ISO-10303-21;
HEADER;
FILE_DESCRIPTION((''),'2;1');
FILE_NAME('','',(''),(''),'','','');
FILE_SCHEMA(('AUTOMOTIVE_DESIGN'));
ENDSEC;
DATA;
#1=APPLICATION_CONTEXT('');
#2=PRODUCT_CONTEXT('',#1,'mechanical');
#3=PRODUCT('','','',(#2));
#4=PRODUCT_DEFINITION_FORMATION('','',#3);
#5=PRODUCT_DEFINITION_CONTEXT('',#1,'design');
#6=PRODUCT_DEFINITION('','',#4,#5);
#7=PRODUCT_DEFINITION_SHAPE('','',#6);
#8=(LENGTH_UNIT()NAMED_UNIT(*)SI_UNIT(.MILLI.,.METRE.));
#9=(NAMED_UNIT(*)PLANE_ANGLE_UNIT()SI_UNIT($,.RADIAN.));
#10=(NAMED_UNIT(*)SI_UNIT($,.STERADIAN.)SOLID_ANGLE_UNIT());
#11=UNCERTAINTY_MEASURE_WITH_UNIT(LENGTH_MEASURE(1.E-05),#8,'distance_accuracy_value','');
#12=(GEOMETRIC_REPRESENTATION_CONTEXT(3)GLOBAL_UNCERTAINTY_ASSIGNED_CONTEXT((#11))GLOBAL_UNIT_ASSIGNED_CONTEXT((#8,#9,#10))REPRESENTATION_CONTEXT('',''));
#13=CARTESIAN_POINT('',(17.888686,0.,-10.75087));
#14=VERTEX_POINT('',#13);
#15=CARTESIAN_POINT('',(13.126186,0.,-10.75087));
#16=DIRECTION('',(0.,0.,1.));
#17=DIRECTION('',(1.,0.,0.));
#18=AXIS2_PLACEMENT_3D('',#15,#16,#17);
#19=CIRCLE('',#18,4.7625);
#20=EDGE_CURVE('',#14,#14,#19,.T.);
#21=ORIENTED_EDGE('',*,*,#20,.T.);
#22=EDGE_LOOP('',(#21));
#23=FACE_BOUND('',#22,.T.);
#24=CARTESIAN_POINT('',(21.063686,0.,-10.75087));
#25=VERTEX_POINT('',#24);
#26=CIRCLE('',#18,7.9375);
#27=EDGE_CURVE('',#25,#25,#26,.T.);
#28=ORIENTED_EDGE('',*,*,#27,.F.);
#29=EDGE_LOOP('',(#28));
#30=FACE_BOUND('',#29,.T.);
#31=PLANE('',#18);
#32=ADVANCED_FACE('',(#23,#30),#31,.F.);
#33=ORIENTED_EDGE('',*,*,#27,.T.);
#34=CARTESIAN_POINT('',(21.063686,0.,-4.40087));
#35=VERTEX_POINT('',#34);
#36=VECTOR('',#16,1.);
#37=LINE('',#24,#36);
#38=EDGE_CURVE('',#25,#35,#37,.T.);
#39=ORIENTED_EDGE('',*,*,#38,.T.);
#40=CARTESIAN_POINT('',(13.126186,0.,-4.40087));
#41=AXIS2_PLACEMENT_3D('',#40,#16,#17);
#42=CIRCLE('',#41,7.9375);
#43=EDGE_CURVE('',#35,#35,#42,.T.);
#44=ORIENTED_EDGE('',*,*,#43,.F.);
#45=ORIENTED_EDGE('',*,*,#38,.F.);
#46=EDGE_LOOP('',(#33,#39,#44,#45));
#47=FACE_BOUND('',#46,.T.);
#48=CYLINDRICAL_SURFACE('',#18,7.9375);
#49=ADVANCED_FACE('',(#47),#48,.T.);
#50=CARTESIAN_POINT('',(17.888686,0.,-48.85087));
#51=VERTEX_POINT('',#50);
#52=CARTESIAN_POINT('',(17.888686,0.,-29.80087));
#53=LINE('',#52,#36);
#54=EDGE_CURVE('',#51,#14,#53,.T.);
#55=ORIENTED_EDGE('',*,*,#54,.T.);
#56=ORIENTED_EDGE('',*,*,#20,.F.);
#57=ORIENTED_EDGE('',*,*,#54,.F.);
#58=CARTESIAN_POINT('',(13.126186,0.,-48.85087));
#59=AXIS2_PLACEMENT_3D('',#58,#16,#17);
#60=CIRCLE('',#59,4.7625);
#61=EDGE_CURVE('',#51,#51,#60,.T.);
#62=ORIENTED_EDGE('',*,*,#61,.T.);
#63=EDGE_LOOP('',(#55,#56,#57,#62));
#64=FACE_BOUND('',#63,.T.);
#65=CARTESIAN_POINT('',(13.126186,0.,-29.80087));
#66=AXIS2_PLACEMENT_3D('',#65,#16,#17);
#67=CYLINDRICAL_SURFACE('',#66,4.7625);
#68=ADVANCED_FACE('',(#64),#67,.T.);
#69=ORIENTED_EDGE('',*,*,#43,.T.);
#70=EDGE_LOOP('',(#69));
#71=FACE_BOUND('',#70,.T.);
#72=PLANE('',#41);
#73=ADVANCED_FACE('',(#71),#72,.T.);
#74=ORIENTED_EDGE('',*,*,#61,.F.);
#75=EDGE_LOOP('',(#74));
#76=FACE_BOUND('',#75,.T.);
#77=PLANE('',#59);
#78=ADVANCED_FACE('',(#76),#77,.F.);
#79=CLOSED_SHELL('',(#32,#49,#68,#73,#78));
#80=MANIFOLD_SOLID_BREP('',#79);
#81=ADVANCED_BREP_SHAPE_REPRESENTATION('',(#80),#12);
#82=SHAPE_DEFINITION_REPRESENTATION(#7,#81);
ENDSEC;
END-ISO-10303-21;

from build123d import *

# Parameters (mm, degrees)
F0_W = 4.7625
F0_H = 38.1


with BuildPart() as f1:
    # F0 (on Front) → F1 (revolve)
    with BuildSketch(Plane.XZ):
        with Locations((15.507436, -29.80087)):
            Rectangle(F0_W, F0_H)
    revolve(axis=Axis((13.126186, 0, -29.80087), (0, 0, 1)))

    # F0 (on Front) → F2 (revolve)
    with BuildSketch(Plane.XZ):
        Polygon((13.126186, -4.40087), (13.126186, -10.75087), (17.888686, -10.75087), (21.063686, -10.75087), (21.063686, -4.40087), align=None)
    revolve(axis=Axis((13.126186, 0, -7.57587), (0, 0, 1)))


solid = f1.part
